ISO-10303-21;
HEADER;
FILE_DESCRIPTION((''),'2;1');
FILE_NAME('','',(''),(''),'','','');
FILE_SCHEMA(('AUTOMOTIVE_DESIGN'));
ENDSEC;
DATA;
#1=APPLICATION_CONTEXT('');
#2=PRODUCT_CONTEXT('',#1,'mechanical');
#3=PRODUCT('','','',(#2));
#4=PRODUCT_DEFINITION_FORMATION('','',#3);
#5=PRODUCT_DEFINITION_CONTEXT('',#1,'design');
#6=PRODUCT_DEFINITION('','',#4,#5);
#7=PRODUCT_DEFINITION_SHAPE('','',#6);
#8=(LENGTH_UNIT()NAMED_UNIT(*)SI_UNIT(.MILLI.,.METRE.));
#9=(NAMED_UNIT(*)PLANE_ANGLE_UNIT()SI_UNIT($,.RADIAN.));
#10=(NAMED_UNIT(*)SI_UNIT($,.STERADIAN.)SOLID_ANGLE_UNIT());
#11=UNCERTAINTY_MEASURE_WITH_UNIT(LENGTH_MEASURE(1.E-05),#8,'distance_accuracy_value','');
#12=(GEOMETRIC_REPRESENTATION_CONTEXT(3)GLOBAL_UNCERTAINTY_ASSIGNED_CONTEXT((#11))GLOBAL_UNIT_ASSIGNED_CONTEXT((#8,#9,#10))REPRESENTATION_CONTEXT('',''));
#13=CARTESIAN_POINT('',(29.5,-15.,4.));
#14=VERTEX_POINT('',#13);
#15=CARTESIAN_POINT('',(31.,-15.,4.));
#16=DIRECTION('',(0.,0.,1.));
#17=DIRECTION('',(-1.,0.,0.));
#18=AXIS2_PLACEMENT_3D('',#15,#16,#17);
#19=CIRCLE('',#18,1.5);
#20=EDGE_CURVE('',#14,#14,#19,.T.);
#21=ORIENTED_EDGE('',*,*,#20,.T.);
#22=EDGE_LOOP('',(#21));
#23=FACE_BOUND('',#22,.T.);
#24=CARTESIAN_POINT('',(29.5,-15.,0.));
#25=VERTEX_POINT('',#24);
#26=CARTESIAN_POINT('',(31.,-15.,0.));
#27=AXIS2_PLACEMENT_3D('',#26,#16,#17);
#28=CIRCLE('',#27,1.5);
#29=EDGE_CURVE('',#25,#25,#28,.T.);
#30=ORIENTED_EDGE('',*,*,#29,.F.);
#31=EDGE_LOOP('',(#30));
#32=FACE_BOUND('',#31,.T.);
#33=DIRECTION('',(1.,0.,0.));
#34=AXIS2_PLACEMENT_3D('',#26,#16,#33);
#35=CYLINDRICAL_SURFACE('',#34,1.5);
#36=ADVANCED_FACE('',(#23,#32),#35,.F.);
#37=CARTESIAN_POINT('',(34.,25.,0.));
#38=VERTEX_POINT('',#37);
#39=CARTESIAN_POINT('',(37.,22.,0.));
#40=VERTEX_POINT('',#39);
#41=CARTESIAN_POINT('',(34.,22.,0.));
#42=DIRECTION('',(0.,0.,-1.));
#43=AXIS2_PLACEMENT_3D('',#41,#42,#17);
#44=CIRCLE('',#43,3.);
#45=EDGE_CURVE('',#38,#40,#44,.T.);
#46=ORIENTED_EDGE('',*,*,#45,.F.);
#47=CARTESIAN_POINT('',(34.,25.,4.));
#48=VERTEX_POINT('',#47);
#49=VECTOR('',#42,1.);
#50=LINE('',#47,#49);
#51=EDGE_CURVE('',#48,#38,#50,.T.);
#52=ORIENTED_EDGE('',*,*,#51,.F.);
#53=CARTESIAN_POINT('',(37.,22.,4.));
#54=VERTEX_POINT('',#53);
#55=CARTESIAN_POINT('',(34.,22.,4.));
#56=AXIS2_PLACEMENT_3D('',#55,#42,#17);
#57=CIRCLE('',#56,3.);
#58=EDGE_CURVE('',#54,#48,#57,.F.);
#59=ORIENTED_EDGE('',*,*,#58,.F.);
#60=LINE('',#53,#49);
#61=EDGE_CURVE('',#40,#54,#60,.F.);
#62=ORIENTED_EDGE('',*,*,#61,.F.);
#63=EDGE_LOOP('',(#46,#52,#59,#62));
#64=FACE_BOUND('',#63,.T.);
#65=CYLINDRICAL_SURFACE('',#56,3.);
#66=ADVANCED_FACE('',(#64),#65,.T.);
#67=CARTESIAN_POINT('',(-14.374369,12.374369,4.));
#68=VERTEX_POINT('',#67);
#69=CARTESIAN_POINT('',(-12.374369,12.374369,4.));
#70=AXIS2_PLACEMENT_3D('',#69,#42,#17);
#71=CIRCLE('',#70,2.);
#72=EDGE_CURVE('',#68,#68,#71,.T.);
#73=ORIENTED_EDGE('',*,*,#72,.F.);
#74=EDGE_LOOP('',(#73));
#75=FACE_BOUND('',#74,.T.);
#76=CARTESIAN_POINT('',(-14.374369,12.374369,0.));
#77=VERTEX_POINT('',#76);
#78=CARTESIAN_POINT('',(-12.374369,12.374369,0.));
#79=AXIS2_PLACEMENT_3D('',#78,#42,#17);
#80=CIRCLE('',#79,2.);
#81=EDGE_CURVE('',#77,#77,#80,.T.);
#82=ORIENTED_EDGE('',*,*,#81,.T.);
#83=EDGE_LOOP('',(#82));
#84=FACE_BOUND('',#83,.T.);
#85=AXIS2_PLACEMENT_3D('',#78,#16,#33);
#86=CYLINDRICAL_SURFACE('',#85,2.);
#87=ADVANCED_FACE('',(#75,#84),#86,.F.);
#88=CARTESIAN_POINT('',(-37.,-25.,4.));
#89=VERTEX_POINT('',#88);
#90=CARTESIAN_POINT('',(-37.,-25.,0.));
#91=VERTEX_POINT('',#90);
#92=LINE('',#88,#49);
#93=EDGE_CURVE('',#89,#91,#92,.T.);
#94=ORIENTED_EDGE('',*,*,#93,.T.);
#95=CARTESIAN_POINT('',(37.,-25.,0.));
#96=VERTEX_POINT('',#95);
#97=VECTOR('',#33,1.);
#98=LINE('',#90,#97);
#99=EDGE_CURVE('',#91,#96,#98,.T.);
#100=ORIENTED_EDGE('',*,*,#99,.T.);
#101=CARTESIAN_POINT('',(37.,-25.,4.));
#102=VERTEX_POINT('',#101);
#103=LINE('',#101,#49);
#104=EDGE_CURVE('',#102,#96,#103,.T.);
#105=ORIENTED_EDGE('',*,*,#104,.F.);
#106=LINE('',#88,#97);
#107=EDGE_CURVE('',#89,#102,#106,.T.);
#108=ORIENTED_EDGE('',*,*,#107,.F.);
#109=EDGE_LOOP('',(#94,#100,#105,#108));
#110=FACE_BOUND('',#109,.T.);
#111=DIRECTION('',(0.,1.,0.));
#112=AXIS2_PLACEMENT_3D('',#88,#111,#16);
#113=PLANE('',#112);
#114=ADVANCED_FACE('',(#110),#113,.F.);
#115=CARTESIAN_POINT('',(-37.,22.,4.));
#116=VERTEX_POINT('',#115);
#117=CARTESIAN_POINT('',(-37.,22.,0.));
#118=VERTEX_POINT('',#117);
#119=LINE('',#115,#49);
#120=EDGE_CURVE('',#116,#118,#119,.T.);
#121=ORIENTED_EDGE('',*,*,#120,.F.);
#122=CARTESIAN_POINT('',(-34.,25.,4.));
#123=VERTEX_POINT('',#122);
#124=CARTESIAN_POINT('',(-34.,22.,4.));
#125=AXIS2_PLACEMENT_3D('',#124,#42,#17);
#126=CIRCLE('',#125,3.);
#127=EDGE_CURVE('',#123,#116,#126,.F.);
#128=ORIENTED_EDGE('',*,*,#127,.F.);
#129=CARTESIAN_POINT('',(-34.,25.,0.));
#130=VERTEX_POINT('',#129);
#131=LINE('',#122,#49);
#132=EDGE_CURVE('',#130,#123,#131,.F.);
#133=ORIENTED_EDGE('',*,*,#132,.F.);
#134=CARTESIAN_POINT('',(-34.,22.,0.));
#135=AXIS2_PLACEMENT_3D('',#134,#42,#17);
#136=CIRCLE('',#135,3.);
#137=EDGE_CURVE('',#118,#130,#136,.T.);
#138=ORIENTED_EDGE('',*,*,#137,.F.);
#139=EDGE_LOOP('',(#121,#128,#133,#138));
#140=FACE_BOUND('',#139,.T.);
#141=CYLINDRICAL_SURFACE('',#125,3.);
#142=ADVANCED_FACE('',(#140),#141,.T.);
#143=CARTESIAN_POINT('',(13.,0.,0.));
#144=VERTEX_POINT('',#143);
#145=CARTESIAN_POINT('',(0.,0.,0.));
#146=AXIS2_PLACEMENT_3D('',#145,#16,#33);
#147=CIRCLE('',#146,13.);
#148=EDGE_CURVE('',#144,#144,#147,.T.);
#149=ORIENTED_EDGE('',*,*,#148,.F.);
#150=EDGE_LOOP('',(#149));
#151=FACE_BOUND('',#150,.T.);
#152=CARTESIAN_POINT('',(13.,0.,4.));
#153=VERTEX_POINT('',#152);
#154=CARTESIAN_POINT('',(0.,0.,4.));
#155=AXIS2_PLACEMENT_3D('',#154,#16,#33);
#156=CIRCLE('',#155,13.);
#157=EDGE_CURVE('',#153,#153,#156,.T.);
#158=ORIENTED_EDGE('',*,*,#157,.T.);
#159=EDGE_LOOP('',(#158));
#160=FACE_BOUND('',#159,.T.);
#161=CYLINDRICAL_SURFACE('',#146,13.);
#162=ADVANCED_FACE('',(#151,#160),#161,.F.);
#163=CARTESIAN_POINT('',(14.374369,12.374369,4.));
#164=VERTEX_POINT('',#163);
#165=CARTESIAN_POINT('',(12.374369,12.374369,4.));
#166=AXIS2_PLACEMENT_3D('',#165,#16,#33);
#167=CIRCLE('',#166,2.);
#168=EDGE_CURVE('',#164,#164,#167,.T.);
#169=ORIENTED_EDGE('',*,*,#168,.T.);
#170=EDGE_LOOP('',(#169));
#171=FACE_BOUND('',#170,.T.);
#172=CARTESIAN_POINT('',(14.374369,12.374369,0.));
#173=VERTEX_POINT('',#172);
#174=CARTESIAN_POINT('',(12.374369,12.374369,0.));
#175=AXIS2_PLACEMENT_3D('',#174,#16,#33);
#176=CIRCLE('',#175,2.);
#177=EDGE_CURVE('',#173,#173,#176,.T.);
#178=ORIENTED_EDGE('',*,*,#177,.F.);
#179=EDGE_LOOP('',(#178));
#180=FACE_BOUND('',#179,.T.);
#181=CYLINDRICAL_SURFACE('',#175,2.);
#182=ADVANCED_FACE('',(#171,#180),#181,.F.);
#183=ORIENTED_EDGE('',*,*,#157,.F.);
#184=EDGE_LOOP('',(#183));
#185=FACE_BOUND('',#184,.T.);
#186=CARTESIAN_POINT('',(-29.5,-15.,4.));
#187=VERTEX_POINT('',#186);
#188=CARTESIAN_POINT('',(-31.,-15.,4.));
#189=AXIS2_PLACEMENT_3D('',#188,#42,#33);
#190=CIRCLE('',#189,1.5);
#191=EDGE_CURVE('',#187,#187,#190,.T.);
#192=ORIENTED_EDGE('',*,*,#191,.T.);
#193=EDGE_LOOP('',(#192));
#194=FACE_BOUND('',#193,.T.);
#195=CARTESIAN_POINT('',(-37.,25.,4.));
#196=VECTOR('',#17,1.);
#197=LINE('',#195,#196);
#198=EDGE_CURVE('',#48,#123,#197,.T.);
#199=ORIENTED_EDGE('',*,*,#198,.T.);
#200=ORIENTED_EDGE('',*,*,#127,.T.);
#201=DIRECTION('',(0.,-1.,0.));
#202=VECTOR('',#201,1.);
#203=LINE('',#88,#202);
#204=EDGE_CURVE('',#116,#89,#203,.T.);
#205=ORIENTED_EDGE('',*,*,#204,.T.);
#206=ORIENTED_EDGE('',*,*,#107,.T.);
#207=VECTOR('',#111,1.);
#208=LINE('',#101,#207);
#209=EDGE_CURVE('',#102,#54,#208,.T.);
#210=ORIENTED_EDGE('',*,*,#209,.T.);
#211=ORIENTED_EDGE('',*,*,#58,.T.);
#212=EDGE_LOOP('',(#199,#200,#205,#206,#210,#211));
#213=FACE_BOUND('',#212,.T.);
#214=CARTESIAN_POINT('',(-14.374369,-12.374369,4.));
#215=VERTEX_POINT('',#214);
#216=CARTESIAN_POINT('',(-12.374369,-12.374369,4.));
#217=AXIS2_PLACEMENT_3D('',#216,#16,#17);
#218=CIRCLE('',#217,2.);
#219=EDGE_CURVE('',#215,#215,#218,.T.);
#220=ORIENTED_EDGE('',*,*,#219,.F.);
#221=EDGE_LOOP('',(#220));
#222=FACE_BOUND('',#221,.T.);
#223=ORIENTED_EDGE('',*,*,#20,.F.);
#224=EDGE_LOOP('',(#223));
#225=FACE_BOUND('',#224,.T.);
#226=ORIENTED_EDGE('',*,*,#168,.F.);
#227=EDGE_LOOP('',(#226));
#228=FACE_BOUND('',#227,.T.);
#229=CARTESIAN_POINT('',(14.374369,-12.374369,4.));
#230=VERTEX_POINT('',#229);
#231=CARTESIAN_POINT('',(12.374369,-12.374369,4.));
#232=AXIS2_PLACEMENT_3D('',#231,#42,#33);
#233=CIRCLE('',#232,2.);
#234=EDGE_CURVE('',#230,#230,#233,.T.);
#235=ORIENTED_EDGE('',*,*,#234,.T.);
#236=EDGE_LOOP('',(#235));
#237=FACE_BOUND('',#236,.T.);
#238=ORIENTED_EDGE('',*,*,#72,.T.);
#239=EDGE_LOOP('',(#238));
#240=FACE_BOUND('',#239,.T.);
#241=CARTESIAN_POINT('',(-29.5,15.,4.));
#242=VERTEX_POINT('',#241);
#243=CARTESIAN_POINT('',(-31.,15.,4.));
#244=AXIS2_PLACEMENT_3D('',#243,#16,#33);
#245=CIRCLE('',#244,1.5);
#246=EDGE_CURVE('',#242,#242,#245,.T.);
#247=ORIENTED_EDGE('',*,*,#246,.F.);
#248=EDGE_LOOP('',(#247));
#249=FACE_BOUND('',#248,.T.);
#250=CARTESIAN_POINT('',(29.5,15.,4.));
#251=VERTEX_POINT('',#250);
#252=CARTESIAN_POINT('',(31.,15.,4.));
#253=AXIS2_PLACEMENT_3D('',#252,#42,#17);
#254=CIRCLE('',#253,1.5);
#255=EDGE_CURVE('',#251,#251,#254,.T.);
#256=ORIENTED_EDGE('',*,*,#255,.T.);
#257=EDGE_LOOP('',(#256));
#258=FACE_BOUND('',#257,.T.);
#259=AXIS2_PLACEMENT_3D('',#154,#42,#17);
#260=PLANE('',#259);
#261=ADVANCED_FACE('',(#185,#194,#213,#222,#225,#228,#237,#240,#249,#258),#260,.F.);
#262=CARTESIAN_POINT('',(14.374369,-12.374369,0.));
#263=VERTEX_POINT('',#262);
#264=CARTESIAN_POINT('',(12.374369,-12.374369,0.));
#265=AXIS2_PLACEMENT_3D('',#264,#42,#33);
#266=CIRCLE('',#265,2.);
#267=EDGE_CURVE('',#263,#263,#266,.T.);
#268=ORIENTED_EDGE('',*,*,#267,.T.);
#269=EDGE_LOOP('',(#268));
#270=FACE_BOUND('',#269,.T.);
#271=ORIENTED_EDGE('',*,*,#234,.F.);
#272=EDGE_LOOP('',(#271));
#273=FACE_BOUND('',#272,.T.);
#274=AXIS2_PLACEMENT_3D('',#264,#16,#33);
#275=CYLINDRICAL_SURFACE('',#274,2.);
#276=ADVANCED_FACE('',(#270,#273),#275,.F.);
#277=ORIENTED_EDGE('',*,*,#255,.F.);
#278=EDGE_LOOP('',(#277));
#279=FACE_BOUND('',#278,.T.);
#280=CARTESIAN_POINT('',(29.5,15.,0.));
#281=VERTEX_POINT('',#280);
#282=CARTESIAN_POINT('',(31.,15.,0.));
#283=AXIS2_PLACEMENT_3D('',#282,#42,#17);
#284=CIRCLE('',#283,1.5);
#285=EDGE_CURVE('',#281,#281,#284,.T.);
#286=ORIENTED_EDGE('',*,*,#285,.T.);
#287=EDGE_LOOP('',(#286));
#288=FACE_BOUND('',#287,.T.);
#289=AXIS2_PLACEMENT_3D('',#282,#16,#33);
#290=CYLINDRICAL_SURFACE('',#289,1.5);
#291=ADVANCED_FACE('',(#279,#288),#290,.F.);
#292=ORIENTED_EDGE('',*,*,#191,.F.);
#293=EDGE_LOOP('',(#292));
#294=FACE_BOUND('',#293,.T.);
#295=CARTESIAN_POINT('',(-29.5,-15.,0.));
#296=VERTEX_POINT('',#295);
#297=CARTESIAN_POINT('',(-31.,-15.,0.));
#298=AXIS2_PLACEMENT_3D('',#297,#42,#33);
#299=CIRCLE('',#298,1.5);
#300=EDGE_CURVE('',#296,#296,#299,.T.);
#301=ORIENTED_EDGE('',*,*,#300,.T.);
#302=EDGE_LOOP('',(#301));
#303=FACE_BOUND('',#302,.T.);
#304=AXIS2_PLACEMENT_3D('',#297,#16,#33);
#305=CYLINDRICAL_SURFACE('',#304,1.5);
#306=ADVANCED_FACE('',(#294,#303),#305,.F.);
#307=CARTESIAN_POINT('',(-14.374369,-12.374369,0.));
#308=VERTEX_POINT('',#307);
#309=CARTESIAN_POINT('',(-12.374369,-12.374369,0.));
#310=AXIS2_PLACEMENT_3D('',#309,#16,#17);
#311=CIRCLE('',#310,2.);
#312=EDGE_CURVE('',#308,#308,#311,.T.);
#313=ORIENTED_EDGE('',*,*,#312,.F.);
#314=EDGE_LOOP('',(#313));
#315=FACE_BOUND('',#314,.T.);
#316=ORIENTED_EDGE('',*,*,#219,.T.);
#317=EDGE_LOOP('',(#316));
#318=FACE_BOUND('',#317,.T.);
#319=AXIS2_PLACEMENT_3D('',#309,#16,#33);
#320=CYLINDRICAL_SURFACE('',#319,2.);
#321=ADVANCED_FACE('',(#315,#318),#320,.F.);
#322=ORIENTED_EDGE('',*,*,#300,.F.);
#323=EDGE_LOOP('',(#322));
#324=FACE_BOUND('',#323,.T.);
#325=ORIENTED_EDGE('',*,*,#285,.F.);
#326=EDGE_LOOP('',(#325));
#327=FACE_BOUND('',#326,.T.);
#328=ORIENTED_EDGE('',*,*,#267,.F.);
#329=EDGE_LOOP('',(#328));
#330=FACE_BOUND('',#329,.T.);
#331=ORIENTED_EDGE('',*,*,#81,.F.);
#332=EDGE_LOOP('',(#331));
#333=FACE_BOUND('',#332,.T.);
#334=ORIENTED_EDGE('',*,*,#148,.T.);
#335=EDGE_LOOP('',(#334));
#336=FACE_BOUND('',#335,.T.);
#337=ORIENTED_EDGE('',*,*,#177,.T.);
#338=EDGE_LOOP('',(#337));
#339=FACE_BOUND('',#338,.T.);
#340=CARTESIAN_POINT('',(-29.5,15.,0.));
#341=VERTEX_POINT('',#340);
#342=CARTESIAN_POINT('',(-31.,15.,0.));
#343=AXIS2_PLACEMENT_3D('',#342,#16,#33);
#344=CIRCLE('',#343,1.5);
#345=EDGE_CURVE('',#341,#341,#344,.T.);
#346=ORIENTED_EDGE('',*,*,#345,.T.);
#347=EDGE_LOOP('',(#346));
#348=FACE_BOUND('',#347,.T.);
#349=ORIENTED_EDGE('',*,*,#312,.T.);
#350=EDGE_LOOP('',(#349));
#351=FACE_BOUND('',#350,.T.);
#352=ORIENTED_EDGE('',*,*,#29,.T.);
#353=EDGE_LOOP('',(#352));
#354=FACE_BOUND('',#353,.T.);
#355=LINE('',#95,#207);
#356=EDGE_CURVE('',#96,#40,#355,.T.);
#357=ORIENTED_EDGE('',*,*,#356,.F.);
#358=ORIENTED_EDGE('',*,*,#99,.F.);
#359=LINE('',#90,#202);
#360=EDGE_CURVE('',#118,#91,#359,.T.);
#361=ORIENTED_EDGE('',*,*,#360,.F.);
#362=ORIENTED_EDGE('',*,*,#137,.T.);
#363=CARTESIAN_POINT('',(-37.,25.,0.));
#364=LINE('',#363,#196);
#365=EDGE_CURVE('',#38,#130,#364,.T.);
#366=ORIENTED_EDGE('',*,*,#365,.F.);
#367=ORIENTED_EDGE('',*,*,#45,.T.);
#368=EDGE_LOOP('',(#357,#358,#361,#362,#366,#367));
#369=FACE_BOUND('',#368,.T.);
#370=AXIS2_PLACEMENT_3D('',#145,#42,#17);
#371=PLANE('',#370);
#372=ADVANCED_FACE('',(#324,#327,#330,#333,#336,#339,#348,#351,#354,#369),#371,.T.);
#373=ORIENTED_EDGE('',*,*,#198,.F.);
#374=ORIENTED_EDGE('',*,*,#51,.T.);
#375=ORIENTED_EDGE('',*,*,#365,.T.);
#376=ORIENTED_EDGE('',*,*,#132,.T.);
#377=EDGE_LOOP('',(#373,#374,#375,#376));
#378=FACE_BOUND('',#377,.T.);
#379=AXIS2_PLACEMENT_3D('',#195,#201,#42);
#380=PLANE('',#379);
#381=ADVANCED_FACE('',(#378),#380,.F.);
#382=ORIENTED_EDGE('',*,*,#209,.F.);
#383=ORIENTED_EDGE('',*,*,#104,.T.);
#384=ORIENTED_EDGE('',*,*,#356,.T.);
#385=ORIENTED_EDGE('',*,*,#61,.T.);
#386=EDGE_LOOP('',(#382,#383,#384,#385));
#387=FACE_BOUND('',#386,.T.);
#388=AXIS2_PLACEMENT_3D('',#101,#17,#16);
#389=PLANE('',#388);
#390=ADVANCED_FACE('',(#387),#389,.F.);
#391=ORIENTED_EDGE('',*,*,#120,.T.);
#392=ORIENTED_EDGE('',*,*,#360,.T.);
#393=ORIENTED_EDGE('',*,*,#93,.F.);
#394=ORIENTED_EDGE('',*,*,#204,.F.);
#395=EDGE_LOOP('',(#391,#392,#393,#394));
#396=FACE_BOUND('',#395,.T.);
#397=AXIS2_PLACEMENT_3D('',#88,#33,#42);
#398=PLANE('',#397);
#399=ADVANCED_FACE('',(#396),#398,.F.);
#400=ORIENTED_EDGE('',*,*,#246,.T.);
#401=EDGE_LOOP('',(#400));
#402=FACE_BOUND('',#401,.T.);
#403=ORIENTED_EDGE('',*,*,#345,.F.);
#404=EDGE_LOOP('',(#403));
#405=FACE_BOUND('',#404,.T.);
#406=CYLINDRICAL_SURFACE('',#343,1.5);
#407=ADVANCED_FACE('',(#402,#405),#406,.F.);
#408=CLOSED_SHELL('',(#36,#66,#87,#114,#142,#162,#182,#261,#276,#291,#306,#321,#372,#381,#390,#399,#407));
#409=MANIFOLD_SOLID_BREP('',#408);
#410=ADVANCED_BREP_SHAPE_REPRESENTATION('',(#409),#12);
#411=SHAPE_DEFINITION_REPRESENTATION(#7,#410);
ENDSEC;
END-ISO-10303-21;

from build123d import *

# Parameters (mm, degrees)
SKETCH_1_W            = 74
SKETCH_1_H            = 50
EXTRUDE_1_DEPTH       = 4
SKETCH_2_R            = 13
CUT_EXTRUDE_1_DEPTH   = 45.833023543
CUT_EXTRUDE_2_DEPTH   = 45.833023543
MIRROR_2_COPY_1_DEPTH = 45.833023543
CUT_EXTRUDE_3_DEPTH   = 45.833023543
MIRROR_4_COPY_1_DEPTH = 45.833023543
FILLET_2_R            = 3


with BuildPart() as part:
    # 草图1 → 凸台-拉伸1 (new body)
    with BuildSketch(Plane.XY):
        Rectangle(SKETCH_1_W, SKETCH_1_H)
    extrude(amount=EXTRUDE_1_DEPTH)

    # 草图2 → 切除-拉伸1 (cut, through all)
    with BuildSketch(Plane.XY.offset(4)):
        Circle(SKETCH_2_R)
    extrude(amount=-CUT_EXTRUDE_1_DEPTH, mode=Mode.SUBTRACT)

    # 草图3 → 切除-拉伸2 (cut, through all)
    with BuildSketch(Plane.XY.offset(4)):
        with BuildLine():
            ThreePointArc((10.374368671, 12.374368671), (10.960155108, 10.960155108), (12.374368671, 10.374368671))
            Line((12.374368671, 10.374368671), (12.374368671, 12.374368671))
            Line((12.374368671, 12.374368671), (10.374368671, 12.374368671))
        make_face()
        with BuildLine():
            Line((12.374368671, 12.374368671), (12.374368671, 10.374368671))
            ThreePointArc((12.374368671, 10.374368671), (13.788582233, 10.960155108), (14.374368671, 12.374368671))
            ThreePointArc((14.374368671, 12.374368671), (12.374368671, 14.374368671), (10.374368671, 12.374368671))
            Line((10.374368671, 12.374368671), (12.374368671, 12.374368671))
        make_face()
    cut_extrude_2 = extrude(amount=-CUT_EXTRUDE_2_DEPTH, mode=Mode.SUBTRACT)

    # 镜向1: 切除-拉伸2 across plane
    add(cut_extrude_2.mirror(Plane(origin=(0, 0, 0), x_dir=(0, 0, 1), z_dir=(1, 0, 0))), mode=Mode.SUBTRACT)

    # 镜向2: 切除-拉伸2 across plane
    add(cut_extrude_2.mirror(Plane.ZX), mode=Mode.SUBTRACT)

    # 镜向2 copy 1 sketch → 镜向2 copy 1 (cut, through all)
    with BuildSketch(Plane(origin=(0, 0, 4), x_dir=(-1, 0, 0), z_dir=(0, 0, 1))):
        with BuildLine():
            ThreePointArc((10.374368671, 12.374368671), (10.960155108, 10.960155108), (12.374368671, 10.374368671))
            Line((12.374368671, 10.374368671), (12.374368671, 12.374368671))
            Line((12.374368671, 12.374368671), (10.374368671, 12.374368671))
        make_face()
        with BuildLine():
            Line((12.374368671, 12.374368671), (12.374368671, 10.374368671))
            ThreePointArc((12.374368671, 10.374368671), (13.788582233, 10.960155108), (14.374368671, 12.374368671))
            ThreePointArc((14.374368671, 12.374368671), (12.374368671, 14.374368671), (10.374368671, 12.374368671))
            Line((10.374368671, 12.374368671), (12.374368671, 12.374368671))
        make_face()
    extrude(amount=-MIRROR_2_COPY_1_DEPTH, mode=Mode.SUBTRACT)

    # 草图4 → 切除-拉伸3 (cut, through all)
    with BuildSketch(Plane.XY.offset(4)):
        with BuildLine():
            ThreePointArc((-29.5, 15), (-32.060660172, 16.060660172), (-31, 13.5))
            Line((-31, 13.5), (-31, 15))
            Line((-31, 15), (-29.5, 15))
        make_face()
        with BuildLine():
            Line((-31, 15), (-31, 13.5))
            ThreePointArc((-31, 13.5), (-29.939339828, 13.939339828), (-29.5, 15))
            Line((-29.5, 15), (-31, 15))
        make_face()
    cut_extrude_3 = extrude(amount=-CUT_EXTRUDE_3_DEPTH, mode=Mode.SUBTRACT)

    # 镜向3: 切除-拉伸3 across plane
    add(cut_extrude_3.mirror(Plane(origin=(0, 0, 0), x_dir=(0, 0, 1), z_dir=(1, 0, 0))), mode=Mode.SUBTRACT)

    # 镜向4: 切除-拉伸3 across plane
    add(cut_extrude_3.mirror(Plane.ZX), mode=Mode.SUBTRACT)

    # 镜向4 copy 1 sketch → 镜向4 copy 1 (cut, through all)
    with BuildSketch(Plane(origin=(0, 0, 4), x_dir=(-1, 0, 0), z_dir=(0, 0, 1))):
        with BuildLine():
            ThreePointArc((-29.5, 15), (-32.060660172, 16.060660172), (-31, 13.5))
            Line((-31, 13.5), (-31, 15))
            Line((-31, 15), (-29.5, 15))
        make_face()
        with BuildLine():
            Line((-31, 15), (-31, 13.5))
            ThreePointArc((-31, 13.5), (-29.939339828, 13.939339828), (-29.5, 15))
            Line((-29.5, 15), (-31, 15))
        make_face()
    extrude(amount=-MIRROR_4_COPY_1_DEPTH, mode=Mode.SUBTRACT)

    # 圆角2
    fillet_2_edges = [part.edges().sort_by_distance(p)[0] for p in [
        (-37, 25, 2),
        (37, 25, 2),
    ]]
    fillet(fillet_2_edges, radius=FILLET_2_R)


solid = part.part
